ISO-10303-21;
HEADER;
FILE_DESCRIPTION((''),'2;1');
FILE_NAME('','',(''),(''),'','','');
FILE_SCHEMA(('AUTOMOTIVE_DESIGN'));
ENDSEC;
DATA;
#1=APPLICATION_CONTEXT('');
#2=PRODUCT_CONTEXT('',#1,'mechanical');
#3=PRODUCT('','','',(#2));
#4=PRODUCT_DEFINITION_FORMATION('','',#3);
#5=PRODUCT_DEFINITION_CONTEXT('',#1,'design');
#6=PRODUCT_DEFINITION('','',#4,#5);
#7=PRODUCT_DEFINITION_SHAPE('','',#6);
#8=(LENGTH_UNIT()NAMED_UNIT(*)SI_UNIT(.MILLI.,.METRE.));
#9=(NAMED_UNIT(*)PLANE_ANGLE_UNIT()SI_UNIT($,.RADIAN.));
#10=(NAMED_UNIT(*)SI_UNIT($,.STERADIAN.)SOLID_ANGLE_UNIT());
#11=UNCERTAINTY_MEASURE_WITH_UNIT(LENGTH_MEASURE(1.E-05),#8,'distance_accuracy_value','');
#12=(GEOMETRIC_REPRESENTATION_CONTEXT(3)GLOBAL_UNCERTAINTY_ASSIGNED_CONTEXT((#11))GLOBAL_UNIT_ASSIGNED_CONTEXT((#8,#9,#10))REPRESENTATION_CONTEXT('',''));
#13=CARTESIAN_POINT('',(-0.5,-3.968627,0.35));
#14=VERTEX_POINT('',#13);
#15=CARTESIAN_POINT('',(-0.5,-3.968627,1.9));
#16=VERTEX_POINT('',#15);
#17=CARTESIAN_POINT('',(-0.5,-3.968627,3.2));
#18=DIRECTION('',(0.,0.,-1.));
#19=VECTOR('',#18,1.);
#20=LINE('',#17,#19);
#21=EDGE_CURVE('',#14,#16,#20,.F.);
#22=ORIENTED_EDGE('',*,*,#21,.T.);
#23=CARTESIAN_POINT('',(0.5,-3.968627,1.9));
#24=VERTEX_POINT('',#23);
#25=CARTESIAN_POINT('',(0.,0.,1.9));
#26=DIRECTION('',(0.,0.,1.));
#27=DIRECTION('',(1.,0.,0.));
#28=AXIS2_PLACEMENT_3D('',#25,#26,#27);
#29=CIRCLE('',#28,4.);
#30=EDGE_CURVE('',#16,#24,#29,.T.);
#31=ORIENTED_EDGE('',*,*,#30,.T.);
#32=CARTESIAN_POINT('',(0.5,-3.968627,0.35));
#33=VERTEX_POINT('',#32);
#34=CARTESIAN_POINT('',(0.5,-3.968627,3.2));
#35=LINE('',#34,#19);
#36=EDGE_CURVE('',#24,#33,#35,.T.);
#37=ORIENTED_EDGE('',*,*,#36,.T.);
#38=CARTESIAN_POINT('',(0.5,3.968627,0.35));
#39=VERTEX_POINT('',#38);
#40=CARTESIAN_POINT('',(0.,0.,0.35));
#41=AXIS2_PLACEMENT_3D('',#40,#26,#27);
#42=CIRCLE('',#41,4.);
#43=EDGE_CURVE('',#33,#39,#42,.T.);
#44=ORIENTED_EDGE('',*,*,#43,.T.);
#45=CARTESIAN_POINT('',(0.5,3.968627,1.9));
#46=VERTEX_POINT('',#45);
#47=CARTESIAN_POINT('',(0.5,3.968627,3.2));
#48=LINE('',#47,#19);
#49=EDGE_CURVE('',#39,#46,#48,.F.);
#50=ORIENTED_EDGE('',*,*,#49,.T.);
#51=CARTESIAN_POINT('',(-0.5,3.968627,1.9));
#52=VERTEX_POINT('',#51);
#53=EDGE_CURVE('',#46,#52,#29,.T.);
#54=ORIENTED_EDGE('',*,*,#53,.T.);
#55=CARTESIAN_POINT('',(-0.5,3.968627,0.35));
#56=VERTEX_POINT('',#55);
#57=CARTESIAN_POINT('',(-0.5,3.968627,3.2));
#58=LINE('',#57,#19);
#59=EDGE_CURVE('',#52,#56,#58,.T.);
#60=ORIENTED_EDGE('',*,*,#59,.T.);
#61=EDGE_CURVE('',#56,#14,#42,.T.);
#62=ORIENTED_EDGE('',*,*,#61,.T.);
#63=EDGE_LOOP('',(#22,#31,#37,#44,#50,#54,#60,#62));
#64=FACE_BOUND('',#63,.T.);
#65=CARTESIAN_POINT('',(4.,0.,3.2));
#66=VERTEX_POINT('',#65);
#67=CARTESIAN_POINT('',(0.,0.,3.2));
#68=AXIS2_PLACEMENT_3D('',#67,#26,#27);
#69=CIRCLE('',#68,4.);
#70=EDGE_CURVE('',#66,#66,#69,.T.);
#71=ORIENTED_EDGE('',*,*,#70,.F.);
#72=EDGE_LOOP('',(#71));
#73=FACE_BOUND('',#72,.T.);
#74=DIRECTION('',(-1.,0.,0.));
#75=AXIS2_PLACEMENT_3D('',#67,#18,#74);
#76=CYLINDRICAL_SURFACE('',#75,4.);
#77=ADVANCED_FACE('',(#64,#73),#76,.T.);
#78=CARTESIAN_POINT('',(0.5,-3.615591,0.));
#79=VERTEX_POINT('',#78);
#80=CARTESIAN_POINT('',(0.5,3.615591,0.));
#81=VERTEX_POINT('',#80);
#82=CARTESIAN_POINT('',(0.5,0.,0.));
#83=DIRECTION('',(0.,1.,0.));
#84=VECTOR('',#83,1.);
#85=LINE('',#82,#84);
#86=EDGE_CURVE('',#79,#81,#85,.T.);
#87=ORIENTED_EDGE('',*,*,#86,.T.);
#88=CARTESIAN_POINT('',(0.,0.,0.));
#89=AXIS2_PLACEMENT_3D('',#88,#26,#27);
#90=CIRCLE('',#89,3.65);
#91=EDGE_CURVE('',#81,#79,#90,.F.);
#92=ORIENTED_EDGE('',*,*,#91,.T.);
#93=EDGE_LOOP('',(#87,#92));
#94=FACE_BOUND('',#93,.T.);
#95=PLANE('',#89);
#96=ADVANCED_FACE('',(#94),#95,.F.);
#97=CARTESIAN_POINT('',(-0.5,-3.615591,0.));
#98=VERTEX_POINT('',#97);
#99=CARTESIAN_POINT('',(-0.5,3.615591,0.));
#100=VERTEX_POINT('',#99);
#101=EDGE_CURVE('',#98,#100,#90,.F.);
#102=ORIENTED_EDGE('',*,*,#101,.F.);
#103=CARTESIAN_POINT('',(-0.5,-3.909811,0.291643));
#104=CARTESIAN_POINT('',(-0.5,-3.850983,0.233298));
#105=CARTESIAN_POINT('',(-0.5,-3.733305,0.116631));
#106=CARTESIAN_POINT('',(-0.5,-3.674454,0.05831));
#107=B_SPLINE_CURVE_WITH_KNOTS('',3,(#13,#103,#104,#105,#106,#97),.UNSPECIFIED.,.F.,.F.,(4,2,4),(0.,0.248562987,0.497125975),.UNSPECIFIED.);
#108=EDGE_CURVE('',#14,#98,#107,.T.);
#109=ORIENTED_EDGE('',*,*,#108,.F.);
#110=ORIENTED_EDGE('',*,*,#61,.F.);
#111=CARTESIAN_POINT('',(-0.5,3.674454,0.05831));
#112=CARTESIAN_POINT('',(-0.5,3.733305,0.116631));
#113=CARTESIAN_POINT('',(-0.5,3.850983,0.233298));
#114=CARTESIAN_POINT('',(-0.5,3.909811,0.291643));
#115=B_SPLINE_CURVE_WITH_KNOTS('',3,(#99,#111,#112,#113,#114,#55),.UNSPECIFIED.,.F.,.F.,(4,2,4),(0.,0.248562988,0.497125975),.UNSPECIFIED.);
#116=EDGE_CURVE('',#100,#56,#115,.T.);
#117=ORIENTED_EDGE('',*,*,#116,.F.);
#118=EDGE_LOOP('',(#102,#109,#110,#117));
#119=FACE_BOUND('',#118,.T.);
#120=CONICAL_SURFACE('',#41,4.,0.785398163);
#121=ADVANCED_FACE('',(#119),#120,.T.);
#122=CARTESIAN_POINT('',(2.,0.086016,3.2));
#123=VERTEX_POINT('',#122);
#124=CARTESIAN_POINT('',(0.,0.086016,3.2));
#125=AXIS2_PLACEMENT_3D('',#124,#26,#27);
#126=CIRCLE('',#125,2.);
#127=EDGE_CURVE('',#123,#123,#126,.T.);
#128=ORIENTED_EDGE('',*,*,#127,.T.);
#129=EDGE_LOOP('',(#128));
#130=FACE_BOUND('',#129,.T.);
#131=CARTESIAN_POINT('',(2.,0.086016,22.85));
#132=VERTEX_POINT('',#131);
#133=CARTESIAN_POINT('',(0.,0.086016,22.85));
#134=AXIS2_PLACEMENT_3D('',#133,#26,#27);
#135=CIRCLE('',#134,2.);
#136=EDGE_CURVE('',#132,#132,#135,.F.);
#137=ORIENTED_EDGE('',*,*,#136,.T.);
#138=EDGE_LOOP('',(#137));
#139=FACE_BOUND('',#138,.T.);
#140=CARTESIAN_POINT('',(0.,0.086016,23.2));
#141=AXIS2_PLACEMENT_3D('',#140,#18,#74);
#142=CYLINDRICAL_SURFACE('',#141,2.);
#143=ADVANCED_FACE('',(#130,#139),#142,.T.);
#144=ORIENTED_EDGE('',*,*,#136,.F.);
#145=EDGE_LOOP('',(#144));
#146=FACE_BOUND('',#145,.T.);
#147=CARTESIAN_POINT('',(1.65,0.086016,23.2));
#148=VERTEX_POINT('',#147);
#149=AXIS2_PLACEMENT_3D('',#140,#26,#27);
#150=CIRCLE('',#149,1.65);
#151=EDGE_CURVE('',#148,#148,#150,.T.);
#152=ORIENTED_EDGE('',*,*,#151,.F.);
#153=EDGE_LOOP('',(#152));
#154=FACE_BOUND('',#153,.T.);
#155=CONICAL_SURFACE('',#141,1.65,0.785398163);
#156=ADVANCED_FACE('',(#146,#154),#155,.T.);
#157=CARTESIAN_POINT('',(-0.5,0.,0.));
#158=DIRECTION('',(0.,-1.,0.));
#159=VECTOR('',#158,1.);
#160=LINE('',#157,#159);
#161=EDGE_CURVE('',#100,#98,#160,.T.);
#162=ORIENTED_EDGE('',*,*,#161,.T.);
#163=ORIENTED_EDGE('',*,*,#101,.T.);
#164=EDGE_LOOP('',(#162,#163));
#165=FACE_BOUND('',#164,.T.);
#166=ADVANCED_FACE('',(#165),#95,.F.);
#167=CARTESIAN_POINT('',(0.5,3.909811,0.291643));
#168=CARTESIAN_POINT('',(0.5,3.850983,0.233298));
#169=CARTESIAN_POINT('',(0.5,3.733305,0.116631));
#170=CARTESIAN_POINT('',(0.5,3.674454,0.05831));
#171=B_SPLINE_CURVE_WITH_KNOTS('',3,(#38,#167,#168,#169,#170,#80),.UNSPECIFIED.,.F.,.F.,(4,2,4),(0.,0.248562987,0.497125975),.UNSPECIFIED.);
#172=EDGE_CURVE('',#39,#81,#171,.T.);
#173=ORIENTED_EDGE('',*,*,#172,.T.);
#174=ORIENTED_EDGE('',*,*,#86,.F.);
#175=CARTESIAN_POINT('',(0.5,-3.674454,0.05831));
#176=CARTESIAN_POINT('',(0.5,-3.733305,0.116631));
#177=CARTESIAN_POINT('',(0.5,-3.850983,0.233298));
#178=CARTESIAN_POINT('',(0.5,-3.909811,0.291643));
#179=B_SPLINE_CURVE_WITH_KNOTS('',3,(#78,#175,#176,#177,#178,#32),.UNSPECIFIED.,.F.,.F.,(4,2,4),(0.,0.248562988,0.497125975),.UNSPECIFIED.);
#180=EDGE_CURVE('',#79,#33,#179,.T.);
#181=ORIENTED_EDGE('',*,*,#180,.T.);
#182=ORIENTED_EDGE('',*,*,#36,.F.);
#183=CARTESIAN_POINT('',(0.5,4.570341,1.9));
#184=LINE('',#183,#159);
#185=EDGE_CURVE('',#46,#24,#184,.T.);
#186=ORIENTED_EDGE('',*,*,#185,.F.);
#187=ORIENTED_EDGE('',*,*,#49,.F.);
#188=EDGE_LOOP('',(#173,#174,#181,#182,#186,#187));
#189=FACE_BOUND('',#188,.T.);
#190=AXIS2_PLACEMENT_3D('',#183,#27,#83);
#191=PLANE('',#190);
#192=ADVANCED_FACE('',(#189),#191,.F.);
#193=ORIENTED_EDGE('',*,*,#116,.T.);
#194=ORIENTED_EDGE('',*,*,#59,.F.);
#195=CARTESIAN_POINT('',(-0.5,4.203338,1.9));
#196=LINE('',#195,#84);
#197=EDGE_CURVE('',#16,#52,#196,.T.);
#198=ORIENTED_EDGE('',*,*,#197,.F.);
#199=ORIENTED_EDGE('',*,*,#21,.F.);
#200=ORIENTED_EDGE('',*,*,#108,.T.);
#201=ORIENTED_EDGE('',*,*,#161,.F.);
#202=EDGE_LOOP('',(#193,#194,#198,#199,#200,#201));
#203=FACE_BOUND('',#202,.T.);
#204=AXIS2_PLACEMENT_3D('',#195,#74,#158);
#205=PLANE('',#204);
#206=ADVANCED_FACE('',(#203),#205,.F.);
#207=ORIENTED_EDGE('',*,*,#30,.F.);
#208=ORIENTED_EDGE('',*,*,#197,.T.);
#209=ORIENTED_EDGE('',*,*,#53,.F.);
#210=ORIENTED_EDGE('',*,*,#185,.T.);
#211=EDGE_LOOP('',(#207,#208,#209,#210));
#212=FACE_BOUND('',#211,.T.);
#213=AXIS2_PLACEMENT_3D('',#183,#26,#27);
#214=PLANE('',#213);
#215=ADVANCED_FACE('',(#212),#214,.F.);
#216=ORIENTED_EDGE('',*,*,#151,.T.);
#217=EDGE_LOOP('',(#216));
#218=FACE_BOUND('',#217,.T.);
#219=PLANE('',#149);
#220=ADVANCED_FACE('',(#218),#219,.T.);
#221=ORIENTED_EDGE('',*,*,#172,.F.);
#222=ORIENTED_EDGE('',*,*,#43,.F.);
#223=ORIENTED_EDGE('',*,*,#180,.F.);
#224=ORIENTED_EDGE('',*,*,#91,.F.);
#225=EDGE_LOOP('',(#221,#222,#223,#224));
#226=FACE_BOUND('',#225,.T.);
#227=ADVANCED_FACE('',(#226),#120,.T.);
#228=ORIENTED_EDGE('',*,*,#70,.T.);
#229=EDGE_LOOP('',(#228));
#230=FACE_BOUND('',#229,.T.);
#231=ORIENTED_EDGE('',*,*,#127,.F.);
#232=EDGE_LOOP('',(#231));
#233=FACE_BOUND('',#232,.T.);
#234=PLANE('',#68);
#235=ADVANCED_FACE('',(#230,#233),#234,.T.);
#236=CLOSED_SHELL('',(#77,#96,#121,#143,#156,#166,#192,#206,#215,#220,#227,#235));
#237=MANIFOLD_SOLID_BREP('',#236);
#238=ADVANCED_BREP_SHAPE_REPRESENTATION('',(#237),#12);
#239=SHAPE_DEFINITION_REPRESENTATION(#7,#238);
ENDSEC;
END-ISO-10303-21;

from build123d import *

# Parameters (mm, degrees)
SKETCH_1_R          = 4
EXTRUDE_1_DEPTH     = 3.2
SKETCH_2_R          = 2
EXTRUDE_2_DEPTH     = 20
CUT_EXTRUDE_1_DEPTH = 1.9
CHAMFER_1_SIZE      = 0.35


with BuildPart() as part:
    # Эскиз1 → Вытянуть1 (new body)
    with BuildSketch(Plane.XY):
        with Locations(Location((0, 0, 0), (0, 0, 97.180755781))):
            Circle(SKETCH_1_R)
    extrude(amount=EXTRUDE_1_DEPTH)

    # Эскиз2 → Вытянуть2 (add)
    with BuildSketch(Plane.XY.offset(3.2)):
        with Locations((0, 0.08601646)):
            Circle(SKETCH_2_R)
    extrude(amount=EXTRUDE_2_DEPTH)

    # Эскиз3 → Вырез-Вытянуть1 (cut)
    with BuildSketch(Plane(origin=(0, 0, 0), x_dir=(-1, 0, 0), z_dir=(0, 0, -1))):
        Polygon((0.5, 4.203337699), (0.5, -4.490059234), (-0.5, -4.7079676), (-0.5, 4.570341264), align=None)
    extrude(amount=-CUT_EXTRUDE_1_DEPTH, mode=Mode.SUBTRACT)

    # Фаска1
    chamfer_1_edges = [part.edges().sort_by_distance(p)[0] for p in [
        (-4, 0, 0),
        (4, 0, 0),
        (-2, 0.08601646, 23.2),
    ]]
    chamfer(chamfer_1_edges, length=CHAMFER_1_SIZE)


solid = part.part
